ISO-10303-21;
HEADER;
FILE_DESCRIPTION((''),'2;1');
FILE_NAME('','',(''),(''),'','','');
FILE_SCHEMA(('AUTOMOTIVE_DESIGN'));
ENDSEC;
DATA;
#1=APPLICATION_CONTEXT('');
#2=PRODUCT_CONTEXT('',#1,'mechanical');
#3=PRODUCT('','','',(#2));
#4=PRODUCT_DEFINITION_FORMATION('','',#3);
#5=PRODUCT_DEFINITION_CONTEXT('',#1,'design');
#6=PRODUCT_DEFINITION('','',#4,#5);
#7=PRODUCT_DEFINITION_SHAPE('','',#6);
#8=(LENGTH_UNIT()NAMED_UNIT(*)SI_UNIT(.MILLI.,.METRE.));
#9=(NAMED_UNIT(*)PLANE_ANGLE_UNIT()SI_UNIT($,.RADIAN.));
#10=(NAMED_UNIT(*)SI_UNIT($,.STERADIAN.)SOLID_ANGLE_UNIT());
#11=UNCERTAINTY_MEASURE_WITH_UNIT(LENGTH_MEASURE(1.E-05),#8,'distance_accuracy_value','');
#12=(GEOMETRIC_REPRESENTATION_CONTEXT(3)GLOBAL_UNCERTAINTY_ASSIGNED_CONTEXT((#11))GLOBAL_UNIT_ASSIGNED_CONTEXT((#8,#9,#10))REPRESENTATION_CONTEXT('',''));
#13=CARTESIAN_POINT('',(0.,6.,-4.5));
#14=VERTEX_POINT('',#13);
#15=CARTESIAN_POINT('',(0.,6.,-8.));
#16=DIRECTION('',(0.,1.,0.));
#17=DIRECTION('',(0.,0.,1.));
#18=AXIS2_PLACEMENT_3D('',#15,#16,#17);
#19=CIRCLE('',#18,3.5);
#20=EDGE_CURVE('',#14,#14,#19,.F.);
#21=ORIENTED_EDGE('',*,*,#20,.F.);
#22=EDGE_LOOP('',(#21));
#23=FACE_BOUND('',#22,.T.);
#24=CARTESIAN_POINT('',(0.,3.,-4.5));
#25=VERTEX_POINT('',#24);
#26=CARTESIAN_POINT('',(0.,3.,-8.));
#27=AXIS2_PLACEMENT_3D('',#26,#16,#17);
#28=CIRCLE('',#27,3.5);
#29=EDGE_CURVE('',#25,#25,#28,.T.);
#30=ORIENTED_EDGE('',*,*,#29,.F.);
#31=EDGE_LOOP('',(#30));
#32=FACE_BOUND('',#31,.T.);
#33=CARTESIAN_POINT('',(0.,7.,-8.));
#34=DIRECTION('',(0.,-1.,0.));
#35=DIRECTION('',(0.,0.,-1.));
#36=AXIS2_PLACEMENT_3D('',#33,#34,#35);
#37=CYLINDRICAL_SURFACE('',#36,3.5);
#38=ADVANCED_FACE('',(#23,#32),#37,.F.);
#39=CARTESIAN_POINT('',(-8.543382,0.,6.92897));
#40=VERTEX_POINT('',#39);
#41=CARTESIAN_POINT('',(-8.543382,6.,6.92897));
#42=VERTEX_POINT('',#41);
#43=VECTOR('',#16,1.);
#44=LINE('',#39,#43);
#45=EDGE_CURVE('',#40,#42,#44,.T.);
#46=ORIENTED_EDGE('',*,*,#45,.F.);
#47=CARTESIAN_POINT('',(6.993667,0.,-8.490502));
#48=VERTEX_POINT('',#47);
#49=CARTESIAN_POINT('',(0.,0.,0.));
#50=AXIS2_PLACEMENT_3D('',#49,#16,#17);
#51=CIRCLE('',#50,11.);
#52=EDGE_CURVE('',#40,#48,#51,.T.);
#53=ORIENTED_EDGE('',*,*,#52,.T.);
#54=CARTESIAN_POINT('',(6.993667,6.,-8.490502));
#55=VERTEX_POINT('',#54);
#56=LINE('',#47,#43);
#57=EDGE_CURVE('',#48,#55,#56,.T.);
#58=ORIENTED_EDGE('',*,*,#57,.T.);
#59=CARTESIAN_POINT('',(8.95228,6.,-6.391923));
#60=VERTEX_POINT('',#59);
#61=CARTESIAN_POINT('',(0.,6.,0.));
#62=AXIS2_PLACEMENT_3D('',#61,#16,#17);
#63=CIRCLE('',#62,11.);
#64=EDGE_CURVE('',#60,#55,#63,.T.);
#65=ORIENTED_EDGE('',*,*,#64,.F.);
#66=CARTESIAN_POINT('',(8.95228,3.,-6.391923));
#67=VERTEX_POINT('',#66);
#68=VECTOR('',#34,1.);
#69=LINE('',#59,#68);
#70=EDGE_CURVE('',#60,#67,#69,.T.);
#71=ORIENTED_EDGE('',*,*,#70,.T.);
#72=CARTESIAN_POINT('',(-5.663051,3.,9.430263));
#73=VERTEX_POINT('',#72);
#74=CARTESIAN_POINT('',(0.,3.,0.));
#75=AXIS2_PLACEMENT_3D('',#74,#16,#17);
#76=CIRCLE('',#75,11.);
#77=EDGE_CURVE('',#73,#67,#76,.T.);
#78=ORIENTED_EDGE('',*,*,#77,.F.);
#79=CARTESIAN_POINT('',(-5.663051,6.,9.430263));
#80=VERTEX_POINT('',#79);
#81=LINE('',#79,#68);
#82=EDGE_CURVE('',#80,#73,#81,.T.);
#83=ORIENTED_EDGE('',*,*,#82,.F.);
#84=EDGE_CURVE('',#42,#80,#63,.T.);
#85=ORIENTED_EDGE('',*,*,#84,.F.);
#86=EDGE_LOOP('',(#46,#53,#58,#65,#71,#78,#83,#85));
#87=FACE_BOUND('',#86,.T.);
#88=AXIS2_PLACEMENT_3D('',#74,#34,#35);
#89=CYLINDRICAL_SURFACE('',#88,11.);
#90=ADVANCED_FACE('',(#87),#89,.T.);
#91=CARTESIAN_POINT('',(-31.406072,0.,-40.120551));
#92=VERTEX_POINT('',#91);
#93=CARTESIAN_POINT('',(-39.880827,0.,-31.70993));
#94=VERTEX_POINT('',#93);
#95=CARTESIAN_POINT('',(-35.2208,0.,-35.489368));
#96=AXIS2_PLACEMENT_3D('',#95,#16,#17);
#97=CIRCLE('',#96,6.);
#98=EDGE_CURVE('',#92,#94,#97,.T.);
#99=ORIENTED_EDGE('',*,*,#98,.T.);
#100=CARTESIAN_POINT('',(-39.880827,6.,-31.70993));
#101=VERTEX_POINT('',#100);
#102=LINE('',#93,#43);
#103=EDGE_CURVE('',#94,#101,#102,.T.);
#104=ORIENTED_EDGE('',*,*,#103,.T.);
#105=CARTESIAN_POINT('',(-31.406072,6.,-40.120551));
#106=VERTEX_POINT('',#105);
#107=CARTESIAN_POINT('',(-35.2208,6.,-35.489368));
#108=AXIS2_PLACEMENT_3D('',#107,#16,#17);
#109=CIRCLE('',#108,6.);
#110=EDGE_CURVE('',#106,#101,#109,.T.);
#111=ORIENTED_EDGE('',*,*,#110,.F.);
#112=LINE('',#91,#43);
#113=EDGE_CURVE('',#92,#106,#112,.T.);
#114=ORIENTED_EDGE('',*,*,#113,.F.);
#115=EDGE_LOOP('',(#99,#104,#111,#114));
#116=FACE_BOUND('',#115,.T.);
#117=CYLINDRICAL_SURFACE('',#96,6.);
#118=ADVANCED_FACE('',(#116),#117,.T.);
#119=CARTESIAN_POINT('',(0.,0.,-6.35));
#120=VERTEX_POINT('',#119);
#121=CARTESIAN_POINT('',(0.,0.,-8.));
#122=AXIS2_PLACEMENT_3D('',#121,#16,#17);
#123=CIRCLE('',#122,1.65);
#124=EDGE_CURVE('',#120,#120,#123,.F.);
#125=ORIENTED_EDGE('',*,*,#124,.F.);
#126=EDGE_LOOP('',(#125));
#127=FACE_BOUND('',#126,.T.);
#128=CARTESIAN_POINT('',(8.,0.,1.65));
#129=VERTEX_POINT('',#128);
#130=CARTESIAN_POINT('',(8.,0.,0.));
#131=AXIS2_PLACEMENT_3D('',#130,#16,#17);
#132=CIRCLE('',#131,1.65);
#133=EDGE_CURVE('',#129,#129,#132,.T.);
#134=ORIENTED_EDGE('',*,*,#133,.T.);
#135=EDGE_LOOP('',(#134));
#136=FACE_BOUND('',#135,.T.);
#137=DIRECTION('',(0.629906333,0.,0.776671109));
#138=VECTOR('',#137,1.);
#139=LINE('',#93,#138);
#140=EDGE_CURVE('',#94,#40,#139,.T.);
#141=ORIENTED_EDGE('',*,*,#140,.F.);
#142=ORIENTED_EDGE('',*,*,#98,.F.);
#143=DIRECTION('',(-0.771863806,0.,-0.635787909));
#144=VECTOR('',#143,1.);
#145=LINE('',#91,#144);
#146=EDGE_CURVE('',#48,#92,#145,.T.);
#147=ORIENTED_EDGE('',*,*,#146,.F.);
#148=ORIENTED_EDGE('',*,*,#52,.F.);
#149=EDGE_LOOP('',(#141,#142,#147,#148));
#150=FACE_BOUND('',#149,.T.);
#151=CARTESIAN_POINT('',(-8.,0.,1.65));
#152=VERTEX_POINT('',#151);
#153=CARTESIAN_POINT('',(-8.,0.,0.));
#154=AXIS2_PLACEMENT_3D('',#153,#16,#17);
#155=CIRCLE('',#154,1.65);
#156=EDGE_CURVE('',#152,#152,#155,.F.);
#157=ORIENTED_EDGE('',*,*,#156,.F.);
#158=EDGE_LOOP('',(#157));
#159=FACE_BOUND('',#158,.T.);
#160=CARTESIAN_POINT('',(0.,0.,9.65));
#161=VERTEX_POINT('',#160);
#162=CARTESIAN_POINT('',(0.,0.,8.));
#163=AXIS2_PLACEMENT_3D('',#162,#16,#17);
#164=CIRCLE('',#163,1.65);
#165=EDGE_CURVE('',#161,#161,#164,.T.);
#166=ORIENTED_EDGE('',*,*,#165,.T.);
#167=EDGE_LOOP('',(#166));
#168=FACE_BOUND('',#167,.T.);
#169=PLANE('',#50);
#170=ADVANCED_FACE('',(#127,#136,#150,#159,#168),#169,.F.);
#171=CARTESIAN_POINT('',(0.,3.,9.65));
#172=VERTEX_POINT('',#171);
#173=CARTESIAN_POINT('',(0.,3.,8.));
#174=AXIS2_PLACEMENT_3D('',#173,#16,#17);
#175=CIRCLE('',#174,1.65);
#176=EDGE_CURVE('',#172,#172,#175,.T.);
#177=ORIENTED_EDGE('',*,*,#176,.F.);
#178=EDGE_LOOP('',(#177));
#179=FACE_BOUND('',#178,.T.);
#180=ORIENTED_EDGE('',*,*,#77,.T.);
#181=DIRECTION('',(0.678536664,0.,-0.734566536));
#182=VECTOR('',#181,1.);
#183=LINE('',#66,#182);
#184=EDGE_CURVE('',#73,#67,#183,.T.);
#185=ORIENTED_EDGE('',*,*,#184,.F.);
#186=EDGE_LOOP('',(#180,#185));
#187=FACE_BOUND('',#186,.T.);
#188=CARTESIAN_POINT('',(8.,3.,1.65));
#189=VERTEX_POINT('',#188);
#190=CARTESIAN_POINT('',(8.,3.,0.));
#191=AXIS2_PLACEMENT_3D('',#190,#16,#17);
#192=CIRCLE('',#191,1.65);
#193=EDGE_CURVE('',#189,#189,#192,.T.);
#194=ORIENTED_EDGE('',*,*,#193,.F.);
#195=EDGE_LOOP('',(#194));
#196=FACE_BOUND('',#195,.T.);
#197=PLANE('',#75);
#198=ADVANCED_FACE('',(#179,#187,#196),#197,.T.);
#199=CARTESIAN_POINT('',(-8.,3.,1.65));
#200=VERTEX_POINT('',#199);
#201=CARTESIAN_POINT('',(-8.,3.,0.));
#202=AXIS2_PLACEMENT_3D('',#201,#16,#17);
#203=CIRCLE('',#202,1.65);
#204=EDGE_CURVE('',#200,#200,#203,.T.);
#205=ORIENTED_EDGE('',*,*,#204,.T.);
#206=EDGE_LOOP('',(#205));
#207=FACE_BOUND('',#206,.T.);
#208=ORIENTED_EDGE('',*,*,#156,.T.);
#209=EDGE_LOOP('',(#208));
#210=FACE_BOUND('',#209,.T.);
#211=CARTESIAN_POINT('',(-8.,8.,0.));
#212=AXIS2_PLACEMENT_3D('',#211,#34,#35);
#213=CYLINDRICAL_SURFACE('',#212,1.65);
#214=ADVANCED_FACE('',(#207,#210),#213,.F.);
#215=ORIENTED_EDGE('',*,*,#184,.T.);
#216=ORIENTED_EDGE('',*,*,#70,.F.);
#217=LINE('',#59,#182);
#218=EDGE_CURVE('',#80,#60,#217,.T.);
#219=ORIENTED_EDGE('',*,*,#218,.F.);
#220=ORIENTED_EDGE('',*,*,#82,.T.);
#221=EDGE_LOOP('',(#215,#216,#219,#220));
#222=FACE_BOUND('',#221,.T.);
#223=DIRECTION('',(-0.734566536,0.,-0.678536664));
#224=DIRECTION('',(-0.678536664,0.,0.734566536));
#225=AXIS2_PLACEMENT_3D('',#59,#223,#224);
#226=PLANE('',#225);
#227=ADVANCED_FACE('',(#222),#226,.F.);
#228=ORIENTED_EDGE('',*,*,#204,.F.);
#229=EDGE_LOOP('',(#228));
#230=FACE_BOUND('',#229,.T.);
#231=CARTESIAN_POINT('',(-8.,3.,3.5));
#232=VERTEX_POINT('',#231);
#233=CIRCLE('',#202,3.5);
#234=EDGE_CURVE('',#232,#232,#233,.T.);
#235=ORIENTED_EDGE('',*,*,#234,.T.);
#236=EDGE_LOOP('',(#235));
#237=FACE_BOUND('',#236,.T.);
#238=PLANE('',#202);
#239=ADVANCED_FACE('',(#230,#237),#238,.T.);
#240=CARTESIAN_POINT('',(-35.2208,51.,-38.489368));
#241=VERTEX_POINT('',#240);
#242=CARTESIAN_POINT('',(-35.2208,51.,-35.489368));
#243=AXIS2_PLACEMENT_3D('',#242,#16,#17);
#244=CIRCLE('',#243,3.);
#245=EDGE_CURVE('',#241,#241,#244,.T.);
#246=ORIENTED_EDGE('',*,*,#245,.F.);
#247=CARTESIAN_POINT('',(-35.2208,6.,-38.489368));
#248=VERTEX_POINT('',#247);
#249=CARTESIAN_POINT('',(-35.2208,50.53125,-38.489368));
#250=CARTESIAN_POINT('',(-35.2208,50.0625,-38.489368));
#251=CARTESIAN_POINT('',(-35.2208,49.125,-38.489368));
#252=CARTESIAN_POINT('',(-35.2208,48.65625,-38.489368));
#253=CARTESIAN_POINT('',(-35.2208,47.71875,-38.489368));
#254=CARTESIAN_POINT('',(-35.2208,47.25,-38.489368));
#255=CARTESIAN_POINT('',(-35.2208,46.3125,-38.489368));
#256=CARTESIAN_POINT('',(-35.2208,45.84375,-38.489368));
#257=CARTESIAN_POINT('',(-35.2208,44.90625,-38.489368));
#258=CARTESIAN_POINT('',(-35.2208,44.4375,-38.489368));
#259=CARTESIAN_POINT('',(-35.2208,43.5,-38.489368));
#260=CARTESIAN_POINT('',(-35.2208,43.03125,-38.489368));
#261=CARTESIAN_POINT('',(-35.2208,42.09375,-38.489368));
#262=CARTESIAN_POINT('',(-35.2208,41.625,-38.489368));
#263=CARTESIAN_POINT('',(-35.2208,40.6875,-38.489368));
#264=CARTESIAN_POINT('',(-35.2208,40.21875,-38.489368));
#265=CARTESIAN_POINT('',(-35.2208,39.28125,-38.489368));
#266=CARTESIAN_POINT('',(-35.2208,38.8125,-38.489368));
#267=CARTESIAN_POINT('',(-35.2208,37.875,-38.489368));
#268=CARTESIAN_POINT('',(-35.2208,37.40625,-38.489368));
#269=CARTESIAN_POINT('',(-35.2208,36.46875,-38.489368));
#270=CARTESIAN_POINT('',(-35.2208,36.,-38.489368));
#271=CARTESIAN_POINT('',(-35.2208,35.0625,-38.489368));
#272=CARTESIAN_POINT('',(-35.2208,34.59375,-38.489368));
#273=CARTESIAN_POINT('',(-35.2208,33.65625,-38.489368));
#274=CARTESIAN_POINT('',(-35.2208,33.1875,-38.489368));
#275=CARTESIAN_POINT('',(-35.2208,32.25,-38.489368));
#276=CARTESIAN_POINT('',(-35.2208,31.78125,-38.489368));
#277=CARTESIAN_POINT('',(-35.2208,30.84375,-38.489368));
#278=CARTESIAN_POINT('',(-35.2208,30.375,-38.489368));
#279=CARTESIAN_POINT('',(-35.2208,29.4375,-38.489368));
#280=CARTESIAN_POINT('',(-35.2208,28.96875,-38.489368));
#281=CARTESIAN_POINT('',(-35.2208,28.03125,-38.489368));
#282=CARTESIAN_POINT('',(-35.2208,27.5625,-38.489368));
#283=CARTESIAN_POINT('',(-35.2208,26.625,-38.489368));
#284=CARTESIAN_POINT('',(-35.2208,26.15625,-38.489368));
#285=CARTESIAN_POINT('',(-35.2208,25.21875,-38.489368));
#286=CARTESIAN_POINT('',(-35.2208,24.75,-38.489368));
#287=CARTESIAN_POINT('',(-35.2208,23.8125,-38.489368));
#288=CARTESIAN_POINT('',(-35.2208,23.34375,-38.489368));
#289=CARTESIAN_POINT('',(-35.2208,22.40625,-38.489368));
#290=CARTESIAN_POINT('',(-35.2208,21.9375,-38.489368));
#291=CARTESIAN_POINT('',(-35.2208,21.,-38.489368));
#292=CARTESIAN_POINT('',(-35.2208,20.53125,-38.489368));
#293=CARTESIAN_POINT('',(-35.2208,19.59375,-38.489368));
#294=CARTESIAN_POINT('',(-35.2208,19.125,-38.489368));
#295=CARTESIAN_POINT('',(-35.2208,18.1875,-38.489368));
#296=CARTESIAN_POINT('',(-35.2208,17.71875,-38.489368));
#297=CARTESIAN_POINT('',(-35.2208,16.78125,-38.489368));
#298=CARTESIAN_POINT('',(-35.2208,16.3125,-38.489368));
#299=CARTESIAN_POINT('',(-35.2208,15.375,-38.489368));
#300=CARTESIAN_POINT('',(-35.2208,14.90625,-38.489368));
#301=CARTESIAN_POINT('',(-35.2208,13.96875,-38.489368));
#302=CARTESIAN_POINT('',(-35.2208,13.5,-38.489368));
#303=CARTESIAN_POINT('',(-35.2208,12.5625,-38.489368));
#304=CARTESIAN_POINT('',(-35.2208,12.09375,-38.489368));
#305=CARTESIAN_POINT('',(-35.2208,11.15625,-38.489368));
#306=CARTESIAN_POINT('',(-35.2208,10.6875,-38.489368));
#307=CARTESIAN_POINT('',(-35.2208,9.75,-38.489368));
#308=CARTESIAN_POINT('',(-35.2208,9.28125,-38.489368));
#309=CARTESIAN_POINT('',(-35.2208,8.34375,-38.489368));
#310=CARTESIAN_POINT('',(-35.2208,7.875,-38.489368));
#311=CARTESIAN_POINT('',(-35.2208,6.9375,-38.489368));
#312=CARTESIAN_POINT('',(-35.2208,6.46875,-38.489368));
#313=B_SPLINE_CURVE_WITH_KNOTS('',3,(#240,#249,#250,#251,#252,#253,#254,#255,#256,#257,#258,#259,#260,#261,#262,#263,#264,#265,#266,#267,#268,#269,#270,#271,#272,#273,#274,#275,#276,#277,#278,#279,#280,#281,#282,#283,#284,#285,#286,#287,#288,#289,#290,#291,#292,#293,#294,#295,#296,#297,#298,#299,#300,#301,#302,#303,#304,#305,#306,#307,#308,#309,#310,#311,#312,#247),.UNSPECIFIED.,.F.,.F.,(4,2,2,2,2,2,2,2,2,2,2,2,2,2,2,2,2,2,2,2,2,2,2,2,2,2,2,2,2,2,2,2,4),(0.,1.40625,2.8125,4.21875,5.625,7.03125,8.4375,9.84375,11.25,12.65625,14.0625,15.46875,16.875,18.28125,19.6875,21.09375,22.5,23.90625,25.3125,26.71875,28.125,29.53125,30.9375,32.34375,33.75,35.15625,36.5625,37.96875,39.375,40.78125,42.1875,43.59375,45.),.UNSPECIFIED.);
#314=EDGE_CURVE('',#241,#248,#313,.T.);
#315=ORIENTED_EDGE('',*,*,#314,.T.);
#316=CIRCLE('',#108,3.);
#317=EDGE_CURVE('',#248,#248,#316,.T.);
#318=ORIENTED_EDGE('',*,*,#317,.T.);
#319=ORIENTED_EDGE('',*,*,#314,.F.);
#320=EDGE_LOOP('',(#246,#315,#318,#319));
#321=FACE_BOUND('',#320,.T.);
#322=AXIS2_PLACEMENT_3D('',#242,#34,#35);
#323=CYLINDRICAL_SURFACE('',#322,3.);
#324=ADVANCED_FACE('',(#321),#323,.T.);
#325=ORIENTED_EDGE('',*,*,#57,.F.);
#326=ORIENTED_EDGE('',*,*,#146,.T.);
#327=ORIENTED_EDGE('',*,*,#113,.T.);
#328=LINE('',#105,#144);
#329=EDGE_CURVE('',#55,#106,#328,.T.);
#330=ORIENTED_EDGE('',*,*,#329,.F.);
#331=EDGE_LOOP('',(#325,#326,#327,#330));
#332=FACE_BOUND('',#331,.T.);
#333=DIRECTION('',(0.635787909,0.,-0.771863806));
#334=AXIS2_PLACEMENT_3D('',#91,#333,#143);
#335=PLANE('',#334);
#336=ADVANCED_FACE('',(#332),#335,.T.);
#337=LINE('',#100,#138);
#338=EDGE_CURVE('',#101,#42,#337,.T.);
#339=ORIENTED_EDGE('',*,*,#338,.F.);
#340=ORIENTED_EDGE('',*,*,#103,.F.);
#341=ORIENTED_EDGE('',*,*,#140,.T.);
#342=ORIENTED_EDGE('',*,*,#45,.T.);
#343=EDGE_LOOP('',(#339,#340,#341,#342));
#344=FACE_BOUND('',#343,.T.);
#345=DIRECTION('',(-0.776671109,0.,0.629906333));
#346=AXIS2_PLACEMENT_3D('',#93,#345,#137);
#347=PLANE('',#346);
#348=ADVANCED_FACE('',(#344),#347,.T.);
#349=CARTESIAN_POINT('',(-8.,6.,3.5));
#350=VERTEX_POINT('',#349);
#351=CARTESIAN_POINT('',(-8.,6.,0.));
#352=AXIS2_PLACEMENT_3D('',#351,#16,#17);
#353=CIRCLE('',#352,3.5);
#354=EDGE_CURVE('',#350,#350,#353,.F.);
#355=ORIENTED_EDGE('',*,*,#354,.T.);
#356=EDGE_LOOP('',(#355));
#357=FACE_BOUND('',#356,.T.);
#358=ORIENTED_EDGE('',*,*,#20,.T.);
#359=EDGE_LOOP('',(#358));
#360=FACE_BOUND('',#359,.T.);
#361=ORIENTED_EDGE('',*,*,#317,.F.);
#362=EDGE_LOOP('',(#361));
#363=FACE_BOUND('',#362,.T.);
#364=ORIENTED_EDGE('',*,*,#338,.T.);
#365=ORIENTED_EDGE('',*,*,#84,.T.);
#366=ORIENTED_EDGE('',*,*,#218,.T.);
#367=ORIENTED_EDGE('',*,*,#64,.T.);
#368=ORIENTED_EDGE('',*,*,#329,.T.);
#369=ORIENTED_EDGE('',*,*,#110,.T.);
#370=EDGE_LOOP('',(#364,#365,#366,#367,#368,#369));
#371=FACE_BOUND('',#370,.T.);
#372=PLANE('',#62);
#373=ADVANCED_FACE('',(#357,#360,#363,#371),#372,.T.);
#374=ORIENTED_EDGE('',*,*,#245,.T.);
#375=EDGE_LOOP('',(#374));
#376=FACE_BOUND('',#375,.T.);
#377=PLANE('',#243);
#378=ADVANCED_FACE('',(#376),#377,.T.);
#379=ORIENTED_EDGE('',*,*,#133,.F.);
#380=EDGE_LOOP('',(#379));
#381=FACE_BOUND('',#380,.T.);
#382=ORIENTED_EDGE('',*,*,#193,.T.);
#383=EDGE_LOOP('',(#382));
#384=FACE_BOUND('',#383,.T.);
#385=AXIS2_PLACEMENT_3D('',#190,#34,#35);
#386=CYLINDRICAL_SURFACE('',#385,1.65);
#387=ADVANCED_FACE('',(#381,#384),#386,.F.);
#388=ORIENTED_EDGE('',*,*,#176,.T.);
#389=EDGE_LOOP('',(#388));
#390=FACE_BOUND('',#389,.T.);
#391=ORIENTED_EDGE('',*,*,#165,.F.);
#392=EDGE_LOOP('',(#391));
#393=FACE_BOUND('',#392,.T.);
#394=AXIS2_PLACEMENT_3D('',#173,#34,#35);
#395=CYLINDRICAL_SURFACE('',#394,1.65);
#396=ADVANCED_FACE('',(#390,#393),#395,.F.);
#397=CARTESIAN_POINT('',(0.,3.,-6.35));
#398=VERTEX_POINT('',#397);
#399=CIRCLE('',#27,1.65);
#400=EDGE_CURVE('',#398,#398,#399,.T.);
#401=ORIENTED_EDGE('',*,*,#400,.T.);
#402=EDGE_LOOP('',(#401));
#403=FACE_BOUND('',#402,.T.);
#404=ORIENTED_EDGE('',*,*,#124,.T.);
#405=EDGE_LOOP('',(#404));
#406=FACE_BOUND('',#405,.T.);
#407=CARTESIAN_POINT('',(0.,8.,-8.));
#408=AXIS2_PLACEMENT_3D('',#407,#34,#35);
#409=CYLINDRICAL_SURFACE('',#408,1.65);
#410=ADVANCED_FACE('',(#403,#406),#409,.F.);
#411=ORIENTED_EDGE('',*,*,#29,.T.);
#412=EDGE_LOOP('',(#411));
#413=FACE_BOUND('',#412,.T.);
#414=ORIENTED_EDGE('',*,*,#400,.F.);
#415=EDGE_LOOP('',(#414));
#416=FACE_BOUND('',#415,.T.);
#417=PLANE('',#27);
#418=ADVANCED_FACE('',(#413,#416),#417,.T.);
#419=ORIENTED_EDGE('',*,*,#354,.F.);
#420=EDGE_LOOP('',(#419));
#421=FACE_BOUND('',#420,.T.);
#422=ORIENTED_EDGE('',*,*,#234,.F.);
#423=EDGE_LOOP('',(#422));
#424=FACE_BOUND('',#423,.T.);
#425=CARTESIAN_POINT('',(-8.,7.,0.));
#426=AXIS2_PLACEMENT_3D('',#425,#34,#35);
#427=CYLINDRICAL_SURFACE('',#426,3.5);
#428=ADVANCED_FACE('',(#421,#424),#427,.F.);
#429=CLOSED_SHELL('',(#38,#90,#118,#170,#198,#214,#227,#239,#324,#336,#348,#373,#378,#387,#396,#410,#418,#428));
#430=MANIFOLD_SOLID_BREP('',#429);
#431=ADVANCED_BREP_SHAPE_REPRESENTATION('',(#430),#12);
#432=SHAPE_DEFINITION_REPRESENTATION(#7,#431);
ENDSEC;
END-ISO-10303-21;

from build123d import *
from build123d.topology import SkipClean

# Parameters (mm, degrees)
SKETCH_1_R        = 11
SKETCH_1_R_2      = 1.65
EXTRUDE_2_DEPTH   = 3
EXTRUDE_3_DEPTH   = 3
EXTRUDE_START     = -6
EXTRUDE_4_DEPTH   = 6
SKETCH_4_R        = 3
EXTRUDE_5_DEPTH   = 45
SKETCH_5_R        = 1.65
EXTRUDE_6_DEPTH   = 5
EXTRUDE_6_2_DEPTH = 5
SKETCH_6_R        = 3.5
EXTRUDE_7_DEPTH   = 4
EXTRUDE_7_2_DEPTH = 4


with BuildPart() as part:
    # 草图1 → 凸台-拉伸2 (new body)
    with BuildSketch(Plane(origin=(0, 0, 0), x_dir=(1, 0, 0), z_dir=(0, 1, 0))):
        Circle(SKETCH_1_R)
        with Locations((0, -8)):
            Circle(SKETCH_1_R_2, mode=Mode.SUBTRACT)
        with Locations((8, 0)):
            Circle(SKETCH_1_R_2, mode=Mode.SUBTRACT)
    extrude(amount=EXTRUDE_2_DEPTH)

    # 草图2 → 凸台-拉伸3 (add)
    with SkipClean():  # the faces are left unmerged after this step: merging them gives an invalid solid
        with BuildSketch(Plane(origin=(0, 3, 0), x_dir=(1, 0, 0), z_dir=(0, 1, 0))):
            with BuildLine():
                Line((8.952279946, 6.391923323), (-5.663051219, -9.430262504))
                ThreePointArc((-5.663051219, -9.430262504), (-8.080231896, 7.463903303), (8.952279946, 6.391923323))
            make_face()
        extrude(amount=EXTRUDE_3_DEPTH)

    # 草图3 → 凸台-拉伸4 (add)
    with BuildSketch(Plane(origin=(0, 6, 0), x_dir=(1, 0, 0), z_dir=(0, 1, 0)).offset(EXTRUDE_START)):
        with BuildLine():
            Line((-5.663051219, -9.430262504), (8.952279946, 6.391923323))
            ThreePointArc((8.952279946, 6.391923323), (8.041723321, 7.505377141), (6.993667, 8.490501863))
            Line((6.993667, 8.490501863), (-31.406072494, 40.120550975))
            ThreePointArc((-31.406072494, 40.120550975), (-39.447295943, 39.748092317), (-39.880826602, 31.709930141))
            Line((-39.880826602, 31.709930141), (-8.543382198, -6.928969665))
            ThreePointArc((-8.543382198, -6.928969665), (-7.212475586, -8.305431712), (-5.663051219, -9.430262504))
        make_face()
    extrude(amount=EXTRUDE_4_DEPTH)

    # 草图4 → 凸台-拉伸5 (add)
    with BuildSketch(Plane(origin=(0, 6, 0), x_dir=(1, 0, 0), z_dir=(0, 1, 0))):
        with Locations((-35.220799949, 35.48936814)):
            Circle(SKETCH_4_R)
    extrude(amount=EXTRUDE_5_DEPTH)


with BuildPart() as body_2:
    # 草图5 → 凸台-拉伸6 (new, symmetric)
    with BuildSketch(Plane(origin=(0, 3, 0), x_dir=(1, 0, 0), z_dir=(0, 1, 0))):
        with Locations((-8, 0)):
            Circle(SKETCH_5_R)
    extrude(amount=EXTRUDE_6_DEPTH, both=True)


with BuildPart() as body_3:
    # 草图5 → Extrude 6 2 (new, symmetric)
    with BuildSketch(Plane(origin=(0, 3, 0), x_dir=(1, 0, 0), z_dir=(0, 1, 0))):
        with Locations((0, 8)):
            Circle(SKETCH_5_R)
    extrude(amount=EXTRUDE_6_2_DEPTH, both=True)


with BuildPart() as part_1:
    add(part.part)

    # Combine 1: cut body 3, body 2
    add(body_3.part, mode=Mode.SUBTRACT)
    add(body_2.part, mode=Mode.SUBTRACT)


with BuildPart() as body_2_2:
    # 草图6 → 凸台-拉伸7 (new body)
    with BuildSketch(Plane(origin=(0, 3, 0), x_dir=(1, 0, 0), z_dir=(0, 1, 0))):
        with Locations((0, 8)):
            Circle(SKETCH_6_R)
    extrude(amount=EXTRUDE_7_DEPTH)


with BuildPart() as body_3_2:
    # 草图6 → Extrude 7 2 (new body)
    with BuildSketch(Plane(origin=(0, 3, 0), x_dir=(1, 0, 0), z_dir=(0, 1, 0))):
        with Locations((-8, 0)):
            Circle(SKETCH_6_R)
    extrude(amount=EXTRUDE_7_2_DEPTH)


with BuildPart() as part_2:
    add(part_1.part)

    # Combine 2: cut body 2 2, body 3 2
    add(body_2_2.part, mode=Mode.SUBTRACT)
    add(body_3_2.part, mode=Mode.SUBTRACT)


solid = part_2.part
